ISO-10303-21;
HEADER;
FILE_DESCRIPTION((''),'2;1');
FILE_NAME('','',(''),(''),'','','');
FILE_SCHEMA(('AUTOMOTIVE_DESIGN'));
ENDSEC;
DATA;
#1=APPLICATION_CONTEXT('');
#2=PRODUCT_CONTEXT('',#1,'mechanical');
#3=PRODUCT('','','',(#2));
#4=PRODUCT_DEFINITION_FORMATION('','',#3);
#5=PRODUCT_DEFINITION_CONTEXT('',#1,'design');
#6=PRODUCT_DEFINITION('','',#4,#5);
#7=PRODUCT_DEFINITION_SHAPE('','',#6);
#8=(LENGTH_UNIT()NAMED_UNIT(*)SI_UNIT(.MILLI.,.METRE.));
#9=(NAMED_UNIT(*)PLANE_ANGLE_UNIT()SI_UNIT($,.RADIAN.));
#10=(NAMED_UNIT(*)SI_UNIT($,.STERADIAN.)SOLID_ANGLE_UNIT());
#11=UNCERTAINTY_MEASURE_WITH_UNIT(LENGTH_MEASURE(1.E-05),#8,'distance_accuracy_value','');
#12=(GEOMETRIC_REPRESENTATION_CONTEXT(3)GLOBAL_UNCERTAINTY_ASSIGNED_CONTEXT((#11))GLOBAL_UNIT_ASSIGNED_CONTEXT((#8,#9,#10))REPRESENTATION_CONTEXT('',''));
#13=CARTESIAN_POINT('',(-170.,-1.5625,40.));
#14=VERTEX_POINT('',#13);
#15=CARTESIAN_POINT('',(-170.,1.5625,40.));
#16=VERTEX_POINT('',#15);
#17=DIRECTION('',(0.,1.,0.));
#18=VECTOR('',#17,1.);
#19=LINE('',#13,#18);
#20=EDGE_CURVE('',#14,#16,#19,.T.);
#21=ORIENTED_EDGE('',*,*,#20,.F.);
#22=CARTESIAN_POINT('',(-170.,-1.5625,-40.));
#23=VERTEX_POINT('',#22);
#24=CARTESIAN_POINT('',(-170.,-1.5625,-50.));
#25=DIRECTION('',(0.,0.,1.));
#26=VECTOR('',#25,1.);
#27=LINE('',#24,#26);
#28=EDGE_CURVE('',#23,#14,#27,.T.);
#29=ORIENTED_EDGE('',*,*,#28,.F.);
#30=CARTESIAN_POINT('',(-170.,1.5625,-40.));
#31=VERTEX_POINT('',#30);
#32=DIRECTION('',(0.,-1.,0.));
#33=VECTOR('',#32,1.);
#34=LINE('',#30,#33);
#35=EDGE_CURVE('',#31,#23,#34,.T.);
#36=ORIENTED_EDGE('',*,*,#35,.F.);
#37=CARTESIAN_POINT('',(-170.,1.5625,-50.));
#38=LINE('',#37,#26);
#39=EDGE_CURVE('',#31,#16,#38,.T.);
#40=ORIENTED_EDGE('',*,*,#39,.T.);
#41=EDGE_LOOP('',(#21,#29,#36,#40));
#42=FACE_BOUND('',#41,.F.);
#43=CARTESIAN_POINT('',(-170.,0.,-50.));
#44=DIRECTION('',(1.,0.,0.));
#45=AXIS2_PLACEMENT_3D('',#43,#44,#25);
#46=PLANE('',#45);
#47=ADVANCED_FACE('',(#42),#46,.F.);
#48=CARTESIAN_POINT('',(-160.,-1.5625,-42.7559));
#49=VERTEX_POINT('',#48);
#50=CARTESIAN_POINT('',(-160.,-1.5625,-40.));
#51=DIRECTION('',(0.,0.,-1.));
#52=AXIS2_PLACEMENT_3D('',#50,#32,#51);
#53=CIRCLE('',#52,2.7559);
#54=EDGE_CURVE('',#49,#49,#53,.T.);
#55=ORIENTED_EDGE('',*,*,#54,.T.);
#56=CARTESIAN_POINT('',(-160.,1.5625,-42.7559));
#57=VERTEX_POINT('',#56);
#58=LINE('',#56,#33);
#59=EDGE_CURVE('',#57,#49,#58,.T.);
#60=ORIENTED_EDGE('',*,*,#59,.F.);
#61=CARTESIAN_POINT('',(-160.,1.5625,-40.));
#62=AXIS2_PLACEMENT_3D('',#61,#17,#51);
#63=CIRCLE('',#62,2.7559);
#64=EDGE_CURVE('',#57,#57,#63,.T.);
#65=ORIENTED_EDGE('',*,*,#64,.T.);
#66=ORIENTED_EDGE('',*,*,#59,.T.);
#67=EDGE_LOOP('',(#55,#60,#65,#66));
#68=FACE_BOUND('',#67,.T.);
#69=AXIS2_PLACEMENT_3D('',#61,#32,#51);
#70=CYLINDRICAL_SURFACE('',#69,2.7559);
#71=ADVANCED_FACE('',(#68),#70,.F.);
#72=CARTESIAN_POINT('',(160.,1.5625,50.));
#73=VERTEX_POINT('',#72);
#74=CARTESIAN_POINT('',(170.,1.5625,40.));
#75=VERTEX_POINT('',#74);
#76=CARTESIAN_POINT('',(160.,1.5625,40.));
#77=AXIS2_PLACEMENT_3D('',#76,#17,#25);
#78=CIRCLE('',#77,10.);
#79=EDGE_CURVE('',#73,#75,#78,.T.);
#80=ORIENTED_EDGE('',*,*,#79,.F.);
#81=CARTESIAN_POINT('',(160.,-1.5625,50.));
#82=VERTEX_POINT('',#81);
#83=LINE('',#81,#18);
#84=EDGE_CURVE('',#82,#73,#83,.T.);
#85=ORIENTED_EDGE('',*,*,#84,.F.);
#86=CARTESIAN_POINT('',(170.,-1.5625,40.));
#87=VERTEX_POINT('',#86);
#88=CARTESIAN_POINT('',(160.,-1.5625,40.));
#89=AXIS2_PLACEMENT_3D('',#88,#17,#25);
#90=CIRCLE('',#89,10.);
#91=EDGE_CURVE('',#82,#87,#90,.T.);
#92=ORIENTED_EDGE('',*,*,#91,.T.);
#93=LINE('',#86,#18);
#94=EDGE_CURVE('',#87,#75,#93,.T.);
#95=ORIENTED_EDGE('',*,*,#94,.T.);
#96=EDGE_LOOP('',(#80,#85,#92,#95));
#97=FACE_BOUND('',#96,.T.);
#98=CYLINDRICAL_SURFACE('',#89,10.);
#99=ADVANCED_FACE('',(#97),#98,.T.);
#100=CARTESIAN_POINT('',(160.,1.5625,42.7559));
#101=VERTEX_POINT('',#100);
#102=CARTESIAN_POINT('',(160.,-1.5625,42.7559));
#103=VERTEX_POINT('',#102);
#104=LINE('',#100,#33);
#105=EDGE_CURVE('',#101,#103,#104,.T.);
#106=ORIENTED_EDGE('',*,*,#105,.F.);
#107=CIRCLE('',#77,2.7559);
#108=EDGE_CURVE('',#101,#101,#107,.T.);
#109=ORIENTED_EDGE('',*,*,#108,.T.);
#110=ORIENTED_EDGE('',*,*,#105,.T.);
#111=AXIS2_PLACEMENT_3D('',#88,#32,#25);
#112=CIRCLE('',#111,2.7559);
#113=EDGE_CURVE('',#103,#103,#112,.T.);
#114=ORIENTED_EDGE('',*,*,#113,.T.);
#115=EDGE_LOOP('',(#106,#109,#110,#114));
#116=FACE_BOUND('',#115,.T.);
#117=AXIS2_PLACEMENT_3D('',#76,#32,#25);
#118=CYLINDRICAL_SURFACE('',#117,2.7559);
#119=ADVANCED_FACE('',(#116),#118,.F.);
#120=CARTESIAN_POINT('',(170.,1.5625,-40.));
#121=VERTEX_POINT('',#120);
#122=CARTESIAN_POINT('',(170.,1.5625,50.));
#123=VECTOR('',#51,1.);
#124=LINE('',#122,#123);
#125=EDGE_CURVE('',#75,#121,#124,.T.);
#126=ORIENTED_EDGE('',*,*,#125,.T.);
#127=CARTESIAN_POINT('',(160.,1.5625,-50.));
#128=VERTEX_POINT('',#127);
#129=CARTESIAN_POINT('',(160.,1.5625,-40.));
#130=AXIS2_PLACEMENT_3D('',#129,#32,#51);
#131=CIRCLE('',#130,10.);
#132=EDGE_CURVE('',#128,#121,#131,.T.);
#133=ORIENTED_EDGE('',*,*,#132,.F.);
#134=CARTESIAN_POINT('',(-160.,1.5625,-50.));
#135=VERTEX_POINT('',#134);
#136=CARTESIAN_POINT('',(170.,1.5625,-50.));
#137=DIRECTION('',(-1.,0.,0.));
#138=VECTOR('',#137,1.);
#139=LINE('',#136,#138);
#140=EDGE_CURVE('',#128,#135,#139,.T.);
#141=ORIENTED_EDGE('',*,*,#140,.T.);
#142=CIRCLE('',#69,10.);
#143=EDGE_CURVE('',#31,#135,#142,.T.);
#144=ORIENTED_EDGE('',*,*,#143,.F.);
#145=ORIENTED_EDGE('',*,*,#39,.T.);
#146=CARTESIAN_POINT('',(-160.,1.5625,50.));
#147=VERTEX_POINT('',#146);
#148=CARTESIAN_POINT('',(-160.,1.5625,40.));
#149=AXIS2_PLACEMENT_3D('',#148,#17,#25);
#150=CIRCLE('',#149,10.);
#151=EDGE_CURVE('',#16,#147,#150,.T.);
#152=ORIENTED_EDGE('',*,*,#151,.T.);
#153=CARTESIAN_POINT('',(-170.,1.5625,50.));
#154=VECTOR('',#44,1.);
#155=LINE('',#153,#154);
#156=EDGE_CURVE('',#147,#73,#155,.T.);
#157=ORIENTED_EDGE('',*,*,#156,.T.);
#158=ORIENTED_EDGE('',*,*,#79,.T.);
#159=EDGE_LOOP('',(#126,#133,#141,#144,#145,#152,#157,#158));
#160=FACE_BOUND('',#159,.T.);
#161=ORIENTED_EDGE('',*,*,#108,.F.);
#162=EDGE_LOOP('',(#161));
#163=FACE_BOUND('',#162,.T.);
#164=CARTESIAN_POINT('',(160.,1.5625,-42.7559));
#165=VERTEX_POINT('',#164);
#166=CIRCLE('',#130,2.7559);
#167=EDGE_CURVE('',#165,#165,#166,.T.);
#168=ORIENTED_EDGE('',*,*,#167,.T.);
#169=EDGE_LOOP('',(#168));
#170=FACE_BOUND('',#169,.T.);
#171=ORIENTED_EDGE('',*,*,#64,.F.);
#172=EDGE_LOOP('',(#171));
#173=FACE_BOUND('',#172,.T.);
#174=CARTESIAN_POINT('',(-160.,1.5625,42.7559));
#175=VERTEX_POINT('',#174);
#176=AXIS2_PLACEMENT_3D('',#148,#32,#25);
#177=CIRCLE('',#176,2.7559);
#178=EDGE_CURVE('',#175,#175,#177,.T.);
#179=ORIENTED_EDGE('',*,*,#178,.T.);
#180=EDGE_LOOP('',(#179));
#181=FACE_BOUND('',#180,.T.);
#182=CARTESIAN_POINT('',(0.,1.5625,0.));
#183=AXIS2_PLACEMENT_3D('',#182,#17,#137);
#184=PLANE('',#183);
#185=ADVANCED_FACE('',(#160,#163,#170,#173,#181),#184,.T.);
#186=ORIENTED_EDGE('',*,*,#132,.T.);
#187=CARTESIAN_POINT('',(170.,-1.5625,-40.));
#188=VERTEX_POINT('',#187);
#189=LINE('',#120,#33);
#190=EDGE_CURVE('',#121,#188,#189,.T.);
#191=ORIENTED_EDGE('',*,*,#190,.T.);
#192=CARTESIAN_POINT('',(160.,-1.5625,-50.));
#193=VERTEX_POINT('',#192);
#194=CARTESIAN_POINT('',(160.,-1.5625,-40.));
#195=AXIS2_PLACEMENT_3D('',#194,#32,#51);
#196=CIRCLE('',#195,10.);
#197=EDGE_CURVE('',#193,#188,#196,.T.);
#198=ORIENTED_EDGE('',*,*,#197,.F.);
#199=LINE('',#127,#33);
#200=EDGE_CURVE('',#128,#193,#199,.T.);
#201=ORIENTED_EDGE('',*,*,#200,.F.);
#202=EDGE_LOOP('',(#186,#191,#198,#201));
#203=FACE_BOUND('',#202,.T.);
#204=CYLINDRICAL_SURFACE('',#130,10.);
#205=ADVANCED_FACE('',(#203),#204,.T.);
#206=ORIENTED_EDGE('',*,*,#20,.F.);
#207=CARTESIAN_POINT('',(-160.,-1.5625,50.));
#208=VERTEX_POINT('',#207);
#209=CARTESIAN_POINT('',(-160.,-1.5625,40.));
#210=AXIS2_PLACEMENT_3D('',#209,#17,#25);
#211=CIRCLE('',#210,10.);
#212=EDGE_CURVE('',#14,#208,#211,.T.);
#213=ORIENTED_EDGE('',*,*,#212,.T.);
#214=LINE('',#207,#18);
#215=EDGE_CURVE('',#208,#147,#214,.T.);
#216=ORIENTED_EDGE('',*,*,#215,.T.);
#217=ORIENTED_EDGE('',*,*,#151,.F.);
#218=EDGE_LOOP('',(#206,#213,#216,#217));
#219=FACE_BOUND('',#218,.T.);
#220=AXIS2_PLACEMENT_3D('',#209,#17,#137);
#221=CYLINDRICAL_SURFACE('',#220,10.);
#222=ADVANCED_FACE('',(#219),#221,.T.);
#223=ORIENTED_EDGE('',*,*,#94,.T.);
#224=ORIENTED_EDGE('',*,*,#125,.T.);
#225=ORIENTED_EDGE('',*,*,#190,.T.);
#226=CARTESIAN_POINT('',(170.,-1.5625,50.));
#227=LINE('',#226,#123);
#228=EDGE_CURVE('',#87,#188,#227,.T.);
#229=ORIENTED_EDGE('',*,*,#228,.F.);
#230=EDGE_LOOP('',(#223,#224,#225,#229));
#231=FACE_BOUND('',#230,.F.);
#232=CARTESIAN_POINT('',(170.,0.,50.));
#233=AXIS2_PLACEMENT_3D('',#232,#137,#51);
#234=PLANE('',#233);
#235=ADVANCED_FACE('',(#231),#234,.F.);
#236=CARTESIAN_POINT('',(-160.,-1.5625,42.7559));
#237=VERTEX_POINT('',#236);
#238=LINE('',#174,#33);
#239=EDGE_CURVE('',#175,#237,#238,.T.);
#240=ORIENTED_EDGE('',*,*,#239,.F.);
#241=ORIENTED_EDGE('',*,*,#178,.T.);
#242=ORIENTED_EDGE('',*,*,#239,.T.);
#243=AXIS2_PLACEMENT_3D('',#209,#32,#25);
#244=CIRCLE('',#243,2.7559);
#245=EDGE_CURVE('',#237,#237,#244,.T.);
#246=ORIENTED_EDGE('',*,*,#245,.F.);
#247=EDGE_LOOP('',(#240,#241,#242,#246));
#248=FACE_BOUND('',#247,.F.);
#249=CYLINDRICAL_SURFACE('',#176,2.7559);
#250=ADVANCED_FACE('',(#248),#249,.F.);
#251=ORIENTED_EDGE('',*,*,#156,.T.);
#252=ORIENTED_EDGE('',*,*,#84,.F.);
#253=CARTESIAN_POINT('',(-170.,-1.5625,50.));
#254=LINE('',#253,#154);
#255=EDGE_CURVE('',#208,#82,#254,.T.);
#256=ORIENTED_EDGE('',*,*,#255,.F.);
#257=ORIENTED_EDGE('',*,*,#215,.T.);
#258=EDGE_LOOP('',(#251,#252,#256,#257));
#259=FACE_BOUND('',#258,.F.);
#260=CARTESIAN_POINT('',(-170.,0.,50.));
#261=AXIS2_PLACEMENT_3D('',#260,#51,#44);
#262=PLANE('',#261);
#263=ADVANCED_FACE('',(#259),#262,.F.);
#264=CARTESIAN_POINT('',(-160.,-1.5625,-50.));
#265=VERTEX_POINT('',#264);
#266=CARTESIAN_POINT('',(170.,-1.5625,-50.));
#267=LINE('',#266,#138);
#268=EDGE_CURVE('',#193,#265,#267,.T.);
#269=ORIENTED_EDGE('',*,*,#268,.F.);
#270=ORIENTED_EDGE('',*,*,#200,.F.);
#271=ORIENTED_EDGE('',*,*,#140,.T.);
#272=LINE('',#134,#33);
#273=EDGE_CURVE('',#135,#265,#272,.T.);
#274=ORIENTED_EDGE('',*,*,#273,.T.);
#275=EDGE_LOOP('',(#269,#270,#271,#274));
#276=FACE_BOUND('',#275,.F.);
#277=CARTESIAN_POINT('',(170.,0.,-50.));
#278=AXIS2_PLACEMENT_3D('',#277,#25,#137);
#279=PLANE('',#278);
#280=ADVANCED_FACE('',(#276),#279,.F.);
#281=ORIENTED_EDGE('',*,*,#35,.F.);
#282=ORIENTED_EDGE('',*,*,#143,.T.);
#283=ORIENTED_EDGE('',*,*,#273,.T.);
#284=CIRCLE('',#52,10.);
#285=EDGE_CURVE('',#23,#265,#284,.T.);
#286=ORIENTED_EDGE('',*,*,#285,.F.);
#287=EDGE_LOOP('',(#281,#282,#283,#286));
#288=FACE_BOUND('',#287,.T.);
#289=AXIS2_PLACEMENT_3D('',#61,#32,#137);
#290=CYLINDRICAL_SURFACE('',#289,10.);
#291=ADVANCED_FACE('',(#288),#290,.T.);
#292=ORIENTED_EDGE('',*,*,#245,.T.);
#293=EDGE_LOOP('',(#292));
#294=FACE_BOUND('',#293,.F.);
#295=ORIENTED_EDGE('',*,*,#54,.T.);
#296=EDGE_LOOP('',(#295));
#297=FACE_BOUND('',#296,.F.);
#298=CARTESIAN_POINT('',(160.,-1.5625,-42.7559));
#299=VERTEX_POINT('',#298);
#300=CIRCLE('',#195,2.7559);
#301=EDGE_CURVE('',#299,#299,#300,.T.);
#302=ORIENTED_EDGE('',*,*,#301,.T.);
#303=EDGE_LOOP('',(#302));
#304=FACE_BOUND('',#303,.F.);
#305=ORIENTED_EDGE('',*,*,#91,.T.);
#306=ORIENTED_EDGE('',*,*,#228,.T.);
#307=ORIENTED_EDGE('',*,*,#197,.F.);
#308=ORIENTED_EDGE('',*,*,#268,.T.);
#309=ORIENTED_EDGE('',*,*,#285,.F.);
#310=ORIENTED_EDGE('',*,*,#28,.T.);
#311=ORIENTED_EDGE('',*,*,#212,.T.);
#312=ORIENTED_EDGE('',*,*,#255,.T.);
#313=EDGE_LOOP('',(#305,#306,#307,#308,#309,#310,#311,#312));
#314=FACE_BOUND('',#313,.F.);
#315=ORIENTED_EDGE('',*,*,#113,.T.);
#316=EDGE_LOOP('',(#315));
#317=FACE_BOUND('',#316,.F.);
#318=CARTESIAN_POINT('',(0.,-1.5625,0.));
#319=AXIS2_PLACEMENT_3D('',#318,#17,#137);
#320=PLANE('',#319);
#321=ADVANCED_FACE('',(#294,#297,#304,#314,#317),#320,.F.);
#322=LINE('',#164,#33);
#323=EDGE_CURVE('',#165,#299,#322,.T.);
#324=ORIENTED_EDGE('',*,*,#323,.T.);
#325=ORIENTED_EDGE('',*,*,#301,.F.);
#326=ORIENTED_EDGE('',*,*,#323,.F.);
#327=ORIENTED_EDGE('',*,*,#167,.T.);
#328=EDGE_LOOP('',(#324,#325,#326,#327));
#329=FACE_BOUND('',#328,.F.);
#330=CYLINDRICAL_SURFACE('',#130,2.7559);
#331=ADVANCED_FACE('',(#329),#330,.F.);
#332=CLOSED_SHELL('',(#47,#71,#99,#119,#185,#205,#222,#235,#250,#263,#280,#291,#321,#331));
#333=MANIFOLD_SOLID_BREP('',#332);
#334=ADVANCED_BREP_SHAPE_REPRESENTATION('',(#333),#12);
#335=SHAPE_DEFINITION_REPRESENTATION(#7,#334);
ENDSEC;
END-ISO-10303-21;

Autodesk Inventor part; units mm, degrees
ref_plane "YZ Plane" through (0, 0, 0) normal (1, 0, 0) x (0, 1, 0)
ref_plane "XZ Plane" through (0, 0, 0) normal (0, 1, 0) x (-1, 0, 0)
ref_plane "XY Plane" through (0, 0, 0) normal (0, 0, 1) x (1, 0, 0)
sketch "Sketch1" plane through (0, 0, 0) normal (0, 1, 0) x (-1, 0, 0)
  line L0 (170, 50) -> (-170, 50)
  line L1 (-170, 50) -> (-170, -50)
  line L2 (-170, -50) -> (170, -50)
  line L3 (170, -50) -> (170, 50)
  line L4 (170, 50) -> (-170, -50) construction
  line L5 (-170, 50) -> (170, -50) construction
  point P0 (0, 0)
  dimension "d0" = 340
  dimension "d1" = 100
extrude "Extrusion1" add sketch "Sketch1" along normal mid plane 3.125
fillet "Fillet1" radius 10 4 edges at (-170, 0, 50) (-170, 0, -50) (170, 0, -50) (170, 0, 50)
sketch "Sketch2" plane through (0, 1.5625, 0) normal (0, 1, 0) x (1, 0, 0)
  arc A0 (160, -50) -> (170, -40) centre (160, -40) ccw projected
  line L0 (160, 50) -> (-160, 50) projected
  arc A1 (-160, 50) -> (-170, 40) centre (-160, 40) ccw projected
  line L1 (-160, -50) -> (160, -50) projected
  line L2 (170, -40) -> (170, 40) projected
  arc A2 (170, 40) -> (160, 50) centre (160, 40) ccw projected
  line L3 (-170, 40) -> (-170, -40) projected
  arc A3 (-170, -40) -> (-160, -50) centre (-160, -40) ccw projected
  point P0 (0, 0)
  dimension "d0" = 340
  dimension "d6" = 10
  dimension "d14" = 10
hole "Hole1" at (-160, 1.5625, 40) direction (0, -1, 0) diameter 5.5118 end through all clearance for "Socket Head Cap Screw" size "M5" standard "Ansi Metric M Profile"
mirror "Mirror1" about plane through (0, 0, 0) normal (0, 0, 1) of "Hole1"
mirror "Mirror2" about plane through (0, 0, 0) normal (1, 0, 0) of "Hole1", "Mirror1"
equation "\"d1\" = suppourtPlateLength"
equation "\"d2\" = acrylicThickness"
equation "\"suppourtPlateLength\" = 100"
equation "\"acrylicThickness\" = 3.125"
properties part number "supportPlate" material "ABS Plastic"
